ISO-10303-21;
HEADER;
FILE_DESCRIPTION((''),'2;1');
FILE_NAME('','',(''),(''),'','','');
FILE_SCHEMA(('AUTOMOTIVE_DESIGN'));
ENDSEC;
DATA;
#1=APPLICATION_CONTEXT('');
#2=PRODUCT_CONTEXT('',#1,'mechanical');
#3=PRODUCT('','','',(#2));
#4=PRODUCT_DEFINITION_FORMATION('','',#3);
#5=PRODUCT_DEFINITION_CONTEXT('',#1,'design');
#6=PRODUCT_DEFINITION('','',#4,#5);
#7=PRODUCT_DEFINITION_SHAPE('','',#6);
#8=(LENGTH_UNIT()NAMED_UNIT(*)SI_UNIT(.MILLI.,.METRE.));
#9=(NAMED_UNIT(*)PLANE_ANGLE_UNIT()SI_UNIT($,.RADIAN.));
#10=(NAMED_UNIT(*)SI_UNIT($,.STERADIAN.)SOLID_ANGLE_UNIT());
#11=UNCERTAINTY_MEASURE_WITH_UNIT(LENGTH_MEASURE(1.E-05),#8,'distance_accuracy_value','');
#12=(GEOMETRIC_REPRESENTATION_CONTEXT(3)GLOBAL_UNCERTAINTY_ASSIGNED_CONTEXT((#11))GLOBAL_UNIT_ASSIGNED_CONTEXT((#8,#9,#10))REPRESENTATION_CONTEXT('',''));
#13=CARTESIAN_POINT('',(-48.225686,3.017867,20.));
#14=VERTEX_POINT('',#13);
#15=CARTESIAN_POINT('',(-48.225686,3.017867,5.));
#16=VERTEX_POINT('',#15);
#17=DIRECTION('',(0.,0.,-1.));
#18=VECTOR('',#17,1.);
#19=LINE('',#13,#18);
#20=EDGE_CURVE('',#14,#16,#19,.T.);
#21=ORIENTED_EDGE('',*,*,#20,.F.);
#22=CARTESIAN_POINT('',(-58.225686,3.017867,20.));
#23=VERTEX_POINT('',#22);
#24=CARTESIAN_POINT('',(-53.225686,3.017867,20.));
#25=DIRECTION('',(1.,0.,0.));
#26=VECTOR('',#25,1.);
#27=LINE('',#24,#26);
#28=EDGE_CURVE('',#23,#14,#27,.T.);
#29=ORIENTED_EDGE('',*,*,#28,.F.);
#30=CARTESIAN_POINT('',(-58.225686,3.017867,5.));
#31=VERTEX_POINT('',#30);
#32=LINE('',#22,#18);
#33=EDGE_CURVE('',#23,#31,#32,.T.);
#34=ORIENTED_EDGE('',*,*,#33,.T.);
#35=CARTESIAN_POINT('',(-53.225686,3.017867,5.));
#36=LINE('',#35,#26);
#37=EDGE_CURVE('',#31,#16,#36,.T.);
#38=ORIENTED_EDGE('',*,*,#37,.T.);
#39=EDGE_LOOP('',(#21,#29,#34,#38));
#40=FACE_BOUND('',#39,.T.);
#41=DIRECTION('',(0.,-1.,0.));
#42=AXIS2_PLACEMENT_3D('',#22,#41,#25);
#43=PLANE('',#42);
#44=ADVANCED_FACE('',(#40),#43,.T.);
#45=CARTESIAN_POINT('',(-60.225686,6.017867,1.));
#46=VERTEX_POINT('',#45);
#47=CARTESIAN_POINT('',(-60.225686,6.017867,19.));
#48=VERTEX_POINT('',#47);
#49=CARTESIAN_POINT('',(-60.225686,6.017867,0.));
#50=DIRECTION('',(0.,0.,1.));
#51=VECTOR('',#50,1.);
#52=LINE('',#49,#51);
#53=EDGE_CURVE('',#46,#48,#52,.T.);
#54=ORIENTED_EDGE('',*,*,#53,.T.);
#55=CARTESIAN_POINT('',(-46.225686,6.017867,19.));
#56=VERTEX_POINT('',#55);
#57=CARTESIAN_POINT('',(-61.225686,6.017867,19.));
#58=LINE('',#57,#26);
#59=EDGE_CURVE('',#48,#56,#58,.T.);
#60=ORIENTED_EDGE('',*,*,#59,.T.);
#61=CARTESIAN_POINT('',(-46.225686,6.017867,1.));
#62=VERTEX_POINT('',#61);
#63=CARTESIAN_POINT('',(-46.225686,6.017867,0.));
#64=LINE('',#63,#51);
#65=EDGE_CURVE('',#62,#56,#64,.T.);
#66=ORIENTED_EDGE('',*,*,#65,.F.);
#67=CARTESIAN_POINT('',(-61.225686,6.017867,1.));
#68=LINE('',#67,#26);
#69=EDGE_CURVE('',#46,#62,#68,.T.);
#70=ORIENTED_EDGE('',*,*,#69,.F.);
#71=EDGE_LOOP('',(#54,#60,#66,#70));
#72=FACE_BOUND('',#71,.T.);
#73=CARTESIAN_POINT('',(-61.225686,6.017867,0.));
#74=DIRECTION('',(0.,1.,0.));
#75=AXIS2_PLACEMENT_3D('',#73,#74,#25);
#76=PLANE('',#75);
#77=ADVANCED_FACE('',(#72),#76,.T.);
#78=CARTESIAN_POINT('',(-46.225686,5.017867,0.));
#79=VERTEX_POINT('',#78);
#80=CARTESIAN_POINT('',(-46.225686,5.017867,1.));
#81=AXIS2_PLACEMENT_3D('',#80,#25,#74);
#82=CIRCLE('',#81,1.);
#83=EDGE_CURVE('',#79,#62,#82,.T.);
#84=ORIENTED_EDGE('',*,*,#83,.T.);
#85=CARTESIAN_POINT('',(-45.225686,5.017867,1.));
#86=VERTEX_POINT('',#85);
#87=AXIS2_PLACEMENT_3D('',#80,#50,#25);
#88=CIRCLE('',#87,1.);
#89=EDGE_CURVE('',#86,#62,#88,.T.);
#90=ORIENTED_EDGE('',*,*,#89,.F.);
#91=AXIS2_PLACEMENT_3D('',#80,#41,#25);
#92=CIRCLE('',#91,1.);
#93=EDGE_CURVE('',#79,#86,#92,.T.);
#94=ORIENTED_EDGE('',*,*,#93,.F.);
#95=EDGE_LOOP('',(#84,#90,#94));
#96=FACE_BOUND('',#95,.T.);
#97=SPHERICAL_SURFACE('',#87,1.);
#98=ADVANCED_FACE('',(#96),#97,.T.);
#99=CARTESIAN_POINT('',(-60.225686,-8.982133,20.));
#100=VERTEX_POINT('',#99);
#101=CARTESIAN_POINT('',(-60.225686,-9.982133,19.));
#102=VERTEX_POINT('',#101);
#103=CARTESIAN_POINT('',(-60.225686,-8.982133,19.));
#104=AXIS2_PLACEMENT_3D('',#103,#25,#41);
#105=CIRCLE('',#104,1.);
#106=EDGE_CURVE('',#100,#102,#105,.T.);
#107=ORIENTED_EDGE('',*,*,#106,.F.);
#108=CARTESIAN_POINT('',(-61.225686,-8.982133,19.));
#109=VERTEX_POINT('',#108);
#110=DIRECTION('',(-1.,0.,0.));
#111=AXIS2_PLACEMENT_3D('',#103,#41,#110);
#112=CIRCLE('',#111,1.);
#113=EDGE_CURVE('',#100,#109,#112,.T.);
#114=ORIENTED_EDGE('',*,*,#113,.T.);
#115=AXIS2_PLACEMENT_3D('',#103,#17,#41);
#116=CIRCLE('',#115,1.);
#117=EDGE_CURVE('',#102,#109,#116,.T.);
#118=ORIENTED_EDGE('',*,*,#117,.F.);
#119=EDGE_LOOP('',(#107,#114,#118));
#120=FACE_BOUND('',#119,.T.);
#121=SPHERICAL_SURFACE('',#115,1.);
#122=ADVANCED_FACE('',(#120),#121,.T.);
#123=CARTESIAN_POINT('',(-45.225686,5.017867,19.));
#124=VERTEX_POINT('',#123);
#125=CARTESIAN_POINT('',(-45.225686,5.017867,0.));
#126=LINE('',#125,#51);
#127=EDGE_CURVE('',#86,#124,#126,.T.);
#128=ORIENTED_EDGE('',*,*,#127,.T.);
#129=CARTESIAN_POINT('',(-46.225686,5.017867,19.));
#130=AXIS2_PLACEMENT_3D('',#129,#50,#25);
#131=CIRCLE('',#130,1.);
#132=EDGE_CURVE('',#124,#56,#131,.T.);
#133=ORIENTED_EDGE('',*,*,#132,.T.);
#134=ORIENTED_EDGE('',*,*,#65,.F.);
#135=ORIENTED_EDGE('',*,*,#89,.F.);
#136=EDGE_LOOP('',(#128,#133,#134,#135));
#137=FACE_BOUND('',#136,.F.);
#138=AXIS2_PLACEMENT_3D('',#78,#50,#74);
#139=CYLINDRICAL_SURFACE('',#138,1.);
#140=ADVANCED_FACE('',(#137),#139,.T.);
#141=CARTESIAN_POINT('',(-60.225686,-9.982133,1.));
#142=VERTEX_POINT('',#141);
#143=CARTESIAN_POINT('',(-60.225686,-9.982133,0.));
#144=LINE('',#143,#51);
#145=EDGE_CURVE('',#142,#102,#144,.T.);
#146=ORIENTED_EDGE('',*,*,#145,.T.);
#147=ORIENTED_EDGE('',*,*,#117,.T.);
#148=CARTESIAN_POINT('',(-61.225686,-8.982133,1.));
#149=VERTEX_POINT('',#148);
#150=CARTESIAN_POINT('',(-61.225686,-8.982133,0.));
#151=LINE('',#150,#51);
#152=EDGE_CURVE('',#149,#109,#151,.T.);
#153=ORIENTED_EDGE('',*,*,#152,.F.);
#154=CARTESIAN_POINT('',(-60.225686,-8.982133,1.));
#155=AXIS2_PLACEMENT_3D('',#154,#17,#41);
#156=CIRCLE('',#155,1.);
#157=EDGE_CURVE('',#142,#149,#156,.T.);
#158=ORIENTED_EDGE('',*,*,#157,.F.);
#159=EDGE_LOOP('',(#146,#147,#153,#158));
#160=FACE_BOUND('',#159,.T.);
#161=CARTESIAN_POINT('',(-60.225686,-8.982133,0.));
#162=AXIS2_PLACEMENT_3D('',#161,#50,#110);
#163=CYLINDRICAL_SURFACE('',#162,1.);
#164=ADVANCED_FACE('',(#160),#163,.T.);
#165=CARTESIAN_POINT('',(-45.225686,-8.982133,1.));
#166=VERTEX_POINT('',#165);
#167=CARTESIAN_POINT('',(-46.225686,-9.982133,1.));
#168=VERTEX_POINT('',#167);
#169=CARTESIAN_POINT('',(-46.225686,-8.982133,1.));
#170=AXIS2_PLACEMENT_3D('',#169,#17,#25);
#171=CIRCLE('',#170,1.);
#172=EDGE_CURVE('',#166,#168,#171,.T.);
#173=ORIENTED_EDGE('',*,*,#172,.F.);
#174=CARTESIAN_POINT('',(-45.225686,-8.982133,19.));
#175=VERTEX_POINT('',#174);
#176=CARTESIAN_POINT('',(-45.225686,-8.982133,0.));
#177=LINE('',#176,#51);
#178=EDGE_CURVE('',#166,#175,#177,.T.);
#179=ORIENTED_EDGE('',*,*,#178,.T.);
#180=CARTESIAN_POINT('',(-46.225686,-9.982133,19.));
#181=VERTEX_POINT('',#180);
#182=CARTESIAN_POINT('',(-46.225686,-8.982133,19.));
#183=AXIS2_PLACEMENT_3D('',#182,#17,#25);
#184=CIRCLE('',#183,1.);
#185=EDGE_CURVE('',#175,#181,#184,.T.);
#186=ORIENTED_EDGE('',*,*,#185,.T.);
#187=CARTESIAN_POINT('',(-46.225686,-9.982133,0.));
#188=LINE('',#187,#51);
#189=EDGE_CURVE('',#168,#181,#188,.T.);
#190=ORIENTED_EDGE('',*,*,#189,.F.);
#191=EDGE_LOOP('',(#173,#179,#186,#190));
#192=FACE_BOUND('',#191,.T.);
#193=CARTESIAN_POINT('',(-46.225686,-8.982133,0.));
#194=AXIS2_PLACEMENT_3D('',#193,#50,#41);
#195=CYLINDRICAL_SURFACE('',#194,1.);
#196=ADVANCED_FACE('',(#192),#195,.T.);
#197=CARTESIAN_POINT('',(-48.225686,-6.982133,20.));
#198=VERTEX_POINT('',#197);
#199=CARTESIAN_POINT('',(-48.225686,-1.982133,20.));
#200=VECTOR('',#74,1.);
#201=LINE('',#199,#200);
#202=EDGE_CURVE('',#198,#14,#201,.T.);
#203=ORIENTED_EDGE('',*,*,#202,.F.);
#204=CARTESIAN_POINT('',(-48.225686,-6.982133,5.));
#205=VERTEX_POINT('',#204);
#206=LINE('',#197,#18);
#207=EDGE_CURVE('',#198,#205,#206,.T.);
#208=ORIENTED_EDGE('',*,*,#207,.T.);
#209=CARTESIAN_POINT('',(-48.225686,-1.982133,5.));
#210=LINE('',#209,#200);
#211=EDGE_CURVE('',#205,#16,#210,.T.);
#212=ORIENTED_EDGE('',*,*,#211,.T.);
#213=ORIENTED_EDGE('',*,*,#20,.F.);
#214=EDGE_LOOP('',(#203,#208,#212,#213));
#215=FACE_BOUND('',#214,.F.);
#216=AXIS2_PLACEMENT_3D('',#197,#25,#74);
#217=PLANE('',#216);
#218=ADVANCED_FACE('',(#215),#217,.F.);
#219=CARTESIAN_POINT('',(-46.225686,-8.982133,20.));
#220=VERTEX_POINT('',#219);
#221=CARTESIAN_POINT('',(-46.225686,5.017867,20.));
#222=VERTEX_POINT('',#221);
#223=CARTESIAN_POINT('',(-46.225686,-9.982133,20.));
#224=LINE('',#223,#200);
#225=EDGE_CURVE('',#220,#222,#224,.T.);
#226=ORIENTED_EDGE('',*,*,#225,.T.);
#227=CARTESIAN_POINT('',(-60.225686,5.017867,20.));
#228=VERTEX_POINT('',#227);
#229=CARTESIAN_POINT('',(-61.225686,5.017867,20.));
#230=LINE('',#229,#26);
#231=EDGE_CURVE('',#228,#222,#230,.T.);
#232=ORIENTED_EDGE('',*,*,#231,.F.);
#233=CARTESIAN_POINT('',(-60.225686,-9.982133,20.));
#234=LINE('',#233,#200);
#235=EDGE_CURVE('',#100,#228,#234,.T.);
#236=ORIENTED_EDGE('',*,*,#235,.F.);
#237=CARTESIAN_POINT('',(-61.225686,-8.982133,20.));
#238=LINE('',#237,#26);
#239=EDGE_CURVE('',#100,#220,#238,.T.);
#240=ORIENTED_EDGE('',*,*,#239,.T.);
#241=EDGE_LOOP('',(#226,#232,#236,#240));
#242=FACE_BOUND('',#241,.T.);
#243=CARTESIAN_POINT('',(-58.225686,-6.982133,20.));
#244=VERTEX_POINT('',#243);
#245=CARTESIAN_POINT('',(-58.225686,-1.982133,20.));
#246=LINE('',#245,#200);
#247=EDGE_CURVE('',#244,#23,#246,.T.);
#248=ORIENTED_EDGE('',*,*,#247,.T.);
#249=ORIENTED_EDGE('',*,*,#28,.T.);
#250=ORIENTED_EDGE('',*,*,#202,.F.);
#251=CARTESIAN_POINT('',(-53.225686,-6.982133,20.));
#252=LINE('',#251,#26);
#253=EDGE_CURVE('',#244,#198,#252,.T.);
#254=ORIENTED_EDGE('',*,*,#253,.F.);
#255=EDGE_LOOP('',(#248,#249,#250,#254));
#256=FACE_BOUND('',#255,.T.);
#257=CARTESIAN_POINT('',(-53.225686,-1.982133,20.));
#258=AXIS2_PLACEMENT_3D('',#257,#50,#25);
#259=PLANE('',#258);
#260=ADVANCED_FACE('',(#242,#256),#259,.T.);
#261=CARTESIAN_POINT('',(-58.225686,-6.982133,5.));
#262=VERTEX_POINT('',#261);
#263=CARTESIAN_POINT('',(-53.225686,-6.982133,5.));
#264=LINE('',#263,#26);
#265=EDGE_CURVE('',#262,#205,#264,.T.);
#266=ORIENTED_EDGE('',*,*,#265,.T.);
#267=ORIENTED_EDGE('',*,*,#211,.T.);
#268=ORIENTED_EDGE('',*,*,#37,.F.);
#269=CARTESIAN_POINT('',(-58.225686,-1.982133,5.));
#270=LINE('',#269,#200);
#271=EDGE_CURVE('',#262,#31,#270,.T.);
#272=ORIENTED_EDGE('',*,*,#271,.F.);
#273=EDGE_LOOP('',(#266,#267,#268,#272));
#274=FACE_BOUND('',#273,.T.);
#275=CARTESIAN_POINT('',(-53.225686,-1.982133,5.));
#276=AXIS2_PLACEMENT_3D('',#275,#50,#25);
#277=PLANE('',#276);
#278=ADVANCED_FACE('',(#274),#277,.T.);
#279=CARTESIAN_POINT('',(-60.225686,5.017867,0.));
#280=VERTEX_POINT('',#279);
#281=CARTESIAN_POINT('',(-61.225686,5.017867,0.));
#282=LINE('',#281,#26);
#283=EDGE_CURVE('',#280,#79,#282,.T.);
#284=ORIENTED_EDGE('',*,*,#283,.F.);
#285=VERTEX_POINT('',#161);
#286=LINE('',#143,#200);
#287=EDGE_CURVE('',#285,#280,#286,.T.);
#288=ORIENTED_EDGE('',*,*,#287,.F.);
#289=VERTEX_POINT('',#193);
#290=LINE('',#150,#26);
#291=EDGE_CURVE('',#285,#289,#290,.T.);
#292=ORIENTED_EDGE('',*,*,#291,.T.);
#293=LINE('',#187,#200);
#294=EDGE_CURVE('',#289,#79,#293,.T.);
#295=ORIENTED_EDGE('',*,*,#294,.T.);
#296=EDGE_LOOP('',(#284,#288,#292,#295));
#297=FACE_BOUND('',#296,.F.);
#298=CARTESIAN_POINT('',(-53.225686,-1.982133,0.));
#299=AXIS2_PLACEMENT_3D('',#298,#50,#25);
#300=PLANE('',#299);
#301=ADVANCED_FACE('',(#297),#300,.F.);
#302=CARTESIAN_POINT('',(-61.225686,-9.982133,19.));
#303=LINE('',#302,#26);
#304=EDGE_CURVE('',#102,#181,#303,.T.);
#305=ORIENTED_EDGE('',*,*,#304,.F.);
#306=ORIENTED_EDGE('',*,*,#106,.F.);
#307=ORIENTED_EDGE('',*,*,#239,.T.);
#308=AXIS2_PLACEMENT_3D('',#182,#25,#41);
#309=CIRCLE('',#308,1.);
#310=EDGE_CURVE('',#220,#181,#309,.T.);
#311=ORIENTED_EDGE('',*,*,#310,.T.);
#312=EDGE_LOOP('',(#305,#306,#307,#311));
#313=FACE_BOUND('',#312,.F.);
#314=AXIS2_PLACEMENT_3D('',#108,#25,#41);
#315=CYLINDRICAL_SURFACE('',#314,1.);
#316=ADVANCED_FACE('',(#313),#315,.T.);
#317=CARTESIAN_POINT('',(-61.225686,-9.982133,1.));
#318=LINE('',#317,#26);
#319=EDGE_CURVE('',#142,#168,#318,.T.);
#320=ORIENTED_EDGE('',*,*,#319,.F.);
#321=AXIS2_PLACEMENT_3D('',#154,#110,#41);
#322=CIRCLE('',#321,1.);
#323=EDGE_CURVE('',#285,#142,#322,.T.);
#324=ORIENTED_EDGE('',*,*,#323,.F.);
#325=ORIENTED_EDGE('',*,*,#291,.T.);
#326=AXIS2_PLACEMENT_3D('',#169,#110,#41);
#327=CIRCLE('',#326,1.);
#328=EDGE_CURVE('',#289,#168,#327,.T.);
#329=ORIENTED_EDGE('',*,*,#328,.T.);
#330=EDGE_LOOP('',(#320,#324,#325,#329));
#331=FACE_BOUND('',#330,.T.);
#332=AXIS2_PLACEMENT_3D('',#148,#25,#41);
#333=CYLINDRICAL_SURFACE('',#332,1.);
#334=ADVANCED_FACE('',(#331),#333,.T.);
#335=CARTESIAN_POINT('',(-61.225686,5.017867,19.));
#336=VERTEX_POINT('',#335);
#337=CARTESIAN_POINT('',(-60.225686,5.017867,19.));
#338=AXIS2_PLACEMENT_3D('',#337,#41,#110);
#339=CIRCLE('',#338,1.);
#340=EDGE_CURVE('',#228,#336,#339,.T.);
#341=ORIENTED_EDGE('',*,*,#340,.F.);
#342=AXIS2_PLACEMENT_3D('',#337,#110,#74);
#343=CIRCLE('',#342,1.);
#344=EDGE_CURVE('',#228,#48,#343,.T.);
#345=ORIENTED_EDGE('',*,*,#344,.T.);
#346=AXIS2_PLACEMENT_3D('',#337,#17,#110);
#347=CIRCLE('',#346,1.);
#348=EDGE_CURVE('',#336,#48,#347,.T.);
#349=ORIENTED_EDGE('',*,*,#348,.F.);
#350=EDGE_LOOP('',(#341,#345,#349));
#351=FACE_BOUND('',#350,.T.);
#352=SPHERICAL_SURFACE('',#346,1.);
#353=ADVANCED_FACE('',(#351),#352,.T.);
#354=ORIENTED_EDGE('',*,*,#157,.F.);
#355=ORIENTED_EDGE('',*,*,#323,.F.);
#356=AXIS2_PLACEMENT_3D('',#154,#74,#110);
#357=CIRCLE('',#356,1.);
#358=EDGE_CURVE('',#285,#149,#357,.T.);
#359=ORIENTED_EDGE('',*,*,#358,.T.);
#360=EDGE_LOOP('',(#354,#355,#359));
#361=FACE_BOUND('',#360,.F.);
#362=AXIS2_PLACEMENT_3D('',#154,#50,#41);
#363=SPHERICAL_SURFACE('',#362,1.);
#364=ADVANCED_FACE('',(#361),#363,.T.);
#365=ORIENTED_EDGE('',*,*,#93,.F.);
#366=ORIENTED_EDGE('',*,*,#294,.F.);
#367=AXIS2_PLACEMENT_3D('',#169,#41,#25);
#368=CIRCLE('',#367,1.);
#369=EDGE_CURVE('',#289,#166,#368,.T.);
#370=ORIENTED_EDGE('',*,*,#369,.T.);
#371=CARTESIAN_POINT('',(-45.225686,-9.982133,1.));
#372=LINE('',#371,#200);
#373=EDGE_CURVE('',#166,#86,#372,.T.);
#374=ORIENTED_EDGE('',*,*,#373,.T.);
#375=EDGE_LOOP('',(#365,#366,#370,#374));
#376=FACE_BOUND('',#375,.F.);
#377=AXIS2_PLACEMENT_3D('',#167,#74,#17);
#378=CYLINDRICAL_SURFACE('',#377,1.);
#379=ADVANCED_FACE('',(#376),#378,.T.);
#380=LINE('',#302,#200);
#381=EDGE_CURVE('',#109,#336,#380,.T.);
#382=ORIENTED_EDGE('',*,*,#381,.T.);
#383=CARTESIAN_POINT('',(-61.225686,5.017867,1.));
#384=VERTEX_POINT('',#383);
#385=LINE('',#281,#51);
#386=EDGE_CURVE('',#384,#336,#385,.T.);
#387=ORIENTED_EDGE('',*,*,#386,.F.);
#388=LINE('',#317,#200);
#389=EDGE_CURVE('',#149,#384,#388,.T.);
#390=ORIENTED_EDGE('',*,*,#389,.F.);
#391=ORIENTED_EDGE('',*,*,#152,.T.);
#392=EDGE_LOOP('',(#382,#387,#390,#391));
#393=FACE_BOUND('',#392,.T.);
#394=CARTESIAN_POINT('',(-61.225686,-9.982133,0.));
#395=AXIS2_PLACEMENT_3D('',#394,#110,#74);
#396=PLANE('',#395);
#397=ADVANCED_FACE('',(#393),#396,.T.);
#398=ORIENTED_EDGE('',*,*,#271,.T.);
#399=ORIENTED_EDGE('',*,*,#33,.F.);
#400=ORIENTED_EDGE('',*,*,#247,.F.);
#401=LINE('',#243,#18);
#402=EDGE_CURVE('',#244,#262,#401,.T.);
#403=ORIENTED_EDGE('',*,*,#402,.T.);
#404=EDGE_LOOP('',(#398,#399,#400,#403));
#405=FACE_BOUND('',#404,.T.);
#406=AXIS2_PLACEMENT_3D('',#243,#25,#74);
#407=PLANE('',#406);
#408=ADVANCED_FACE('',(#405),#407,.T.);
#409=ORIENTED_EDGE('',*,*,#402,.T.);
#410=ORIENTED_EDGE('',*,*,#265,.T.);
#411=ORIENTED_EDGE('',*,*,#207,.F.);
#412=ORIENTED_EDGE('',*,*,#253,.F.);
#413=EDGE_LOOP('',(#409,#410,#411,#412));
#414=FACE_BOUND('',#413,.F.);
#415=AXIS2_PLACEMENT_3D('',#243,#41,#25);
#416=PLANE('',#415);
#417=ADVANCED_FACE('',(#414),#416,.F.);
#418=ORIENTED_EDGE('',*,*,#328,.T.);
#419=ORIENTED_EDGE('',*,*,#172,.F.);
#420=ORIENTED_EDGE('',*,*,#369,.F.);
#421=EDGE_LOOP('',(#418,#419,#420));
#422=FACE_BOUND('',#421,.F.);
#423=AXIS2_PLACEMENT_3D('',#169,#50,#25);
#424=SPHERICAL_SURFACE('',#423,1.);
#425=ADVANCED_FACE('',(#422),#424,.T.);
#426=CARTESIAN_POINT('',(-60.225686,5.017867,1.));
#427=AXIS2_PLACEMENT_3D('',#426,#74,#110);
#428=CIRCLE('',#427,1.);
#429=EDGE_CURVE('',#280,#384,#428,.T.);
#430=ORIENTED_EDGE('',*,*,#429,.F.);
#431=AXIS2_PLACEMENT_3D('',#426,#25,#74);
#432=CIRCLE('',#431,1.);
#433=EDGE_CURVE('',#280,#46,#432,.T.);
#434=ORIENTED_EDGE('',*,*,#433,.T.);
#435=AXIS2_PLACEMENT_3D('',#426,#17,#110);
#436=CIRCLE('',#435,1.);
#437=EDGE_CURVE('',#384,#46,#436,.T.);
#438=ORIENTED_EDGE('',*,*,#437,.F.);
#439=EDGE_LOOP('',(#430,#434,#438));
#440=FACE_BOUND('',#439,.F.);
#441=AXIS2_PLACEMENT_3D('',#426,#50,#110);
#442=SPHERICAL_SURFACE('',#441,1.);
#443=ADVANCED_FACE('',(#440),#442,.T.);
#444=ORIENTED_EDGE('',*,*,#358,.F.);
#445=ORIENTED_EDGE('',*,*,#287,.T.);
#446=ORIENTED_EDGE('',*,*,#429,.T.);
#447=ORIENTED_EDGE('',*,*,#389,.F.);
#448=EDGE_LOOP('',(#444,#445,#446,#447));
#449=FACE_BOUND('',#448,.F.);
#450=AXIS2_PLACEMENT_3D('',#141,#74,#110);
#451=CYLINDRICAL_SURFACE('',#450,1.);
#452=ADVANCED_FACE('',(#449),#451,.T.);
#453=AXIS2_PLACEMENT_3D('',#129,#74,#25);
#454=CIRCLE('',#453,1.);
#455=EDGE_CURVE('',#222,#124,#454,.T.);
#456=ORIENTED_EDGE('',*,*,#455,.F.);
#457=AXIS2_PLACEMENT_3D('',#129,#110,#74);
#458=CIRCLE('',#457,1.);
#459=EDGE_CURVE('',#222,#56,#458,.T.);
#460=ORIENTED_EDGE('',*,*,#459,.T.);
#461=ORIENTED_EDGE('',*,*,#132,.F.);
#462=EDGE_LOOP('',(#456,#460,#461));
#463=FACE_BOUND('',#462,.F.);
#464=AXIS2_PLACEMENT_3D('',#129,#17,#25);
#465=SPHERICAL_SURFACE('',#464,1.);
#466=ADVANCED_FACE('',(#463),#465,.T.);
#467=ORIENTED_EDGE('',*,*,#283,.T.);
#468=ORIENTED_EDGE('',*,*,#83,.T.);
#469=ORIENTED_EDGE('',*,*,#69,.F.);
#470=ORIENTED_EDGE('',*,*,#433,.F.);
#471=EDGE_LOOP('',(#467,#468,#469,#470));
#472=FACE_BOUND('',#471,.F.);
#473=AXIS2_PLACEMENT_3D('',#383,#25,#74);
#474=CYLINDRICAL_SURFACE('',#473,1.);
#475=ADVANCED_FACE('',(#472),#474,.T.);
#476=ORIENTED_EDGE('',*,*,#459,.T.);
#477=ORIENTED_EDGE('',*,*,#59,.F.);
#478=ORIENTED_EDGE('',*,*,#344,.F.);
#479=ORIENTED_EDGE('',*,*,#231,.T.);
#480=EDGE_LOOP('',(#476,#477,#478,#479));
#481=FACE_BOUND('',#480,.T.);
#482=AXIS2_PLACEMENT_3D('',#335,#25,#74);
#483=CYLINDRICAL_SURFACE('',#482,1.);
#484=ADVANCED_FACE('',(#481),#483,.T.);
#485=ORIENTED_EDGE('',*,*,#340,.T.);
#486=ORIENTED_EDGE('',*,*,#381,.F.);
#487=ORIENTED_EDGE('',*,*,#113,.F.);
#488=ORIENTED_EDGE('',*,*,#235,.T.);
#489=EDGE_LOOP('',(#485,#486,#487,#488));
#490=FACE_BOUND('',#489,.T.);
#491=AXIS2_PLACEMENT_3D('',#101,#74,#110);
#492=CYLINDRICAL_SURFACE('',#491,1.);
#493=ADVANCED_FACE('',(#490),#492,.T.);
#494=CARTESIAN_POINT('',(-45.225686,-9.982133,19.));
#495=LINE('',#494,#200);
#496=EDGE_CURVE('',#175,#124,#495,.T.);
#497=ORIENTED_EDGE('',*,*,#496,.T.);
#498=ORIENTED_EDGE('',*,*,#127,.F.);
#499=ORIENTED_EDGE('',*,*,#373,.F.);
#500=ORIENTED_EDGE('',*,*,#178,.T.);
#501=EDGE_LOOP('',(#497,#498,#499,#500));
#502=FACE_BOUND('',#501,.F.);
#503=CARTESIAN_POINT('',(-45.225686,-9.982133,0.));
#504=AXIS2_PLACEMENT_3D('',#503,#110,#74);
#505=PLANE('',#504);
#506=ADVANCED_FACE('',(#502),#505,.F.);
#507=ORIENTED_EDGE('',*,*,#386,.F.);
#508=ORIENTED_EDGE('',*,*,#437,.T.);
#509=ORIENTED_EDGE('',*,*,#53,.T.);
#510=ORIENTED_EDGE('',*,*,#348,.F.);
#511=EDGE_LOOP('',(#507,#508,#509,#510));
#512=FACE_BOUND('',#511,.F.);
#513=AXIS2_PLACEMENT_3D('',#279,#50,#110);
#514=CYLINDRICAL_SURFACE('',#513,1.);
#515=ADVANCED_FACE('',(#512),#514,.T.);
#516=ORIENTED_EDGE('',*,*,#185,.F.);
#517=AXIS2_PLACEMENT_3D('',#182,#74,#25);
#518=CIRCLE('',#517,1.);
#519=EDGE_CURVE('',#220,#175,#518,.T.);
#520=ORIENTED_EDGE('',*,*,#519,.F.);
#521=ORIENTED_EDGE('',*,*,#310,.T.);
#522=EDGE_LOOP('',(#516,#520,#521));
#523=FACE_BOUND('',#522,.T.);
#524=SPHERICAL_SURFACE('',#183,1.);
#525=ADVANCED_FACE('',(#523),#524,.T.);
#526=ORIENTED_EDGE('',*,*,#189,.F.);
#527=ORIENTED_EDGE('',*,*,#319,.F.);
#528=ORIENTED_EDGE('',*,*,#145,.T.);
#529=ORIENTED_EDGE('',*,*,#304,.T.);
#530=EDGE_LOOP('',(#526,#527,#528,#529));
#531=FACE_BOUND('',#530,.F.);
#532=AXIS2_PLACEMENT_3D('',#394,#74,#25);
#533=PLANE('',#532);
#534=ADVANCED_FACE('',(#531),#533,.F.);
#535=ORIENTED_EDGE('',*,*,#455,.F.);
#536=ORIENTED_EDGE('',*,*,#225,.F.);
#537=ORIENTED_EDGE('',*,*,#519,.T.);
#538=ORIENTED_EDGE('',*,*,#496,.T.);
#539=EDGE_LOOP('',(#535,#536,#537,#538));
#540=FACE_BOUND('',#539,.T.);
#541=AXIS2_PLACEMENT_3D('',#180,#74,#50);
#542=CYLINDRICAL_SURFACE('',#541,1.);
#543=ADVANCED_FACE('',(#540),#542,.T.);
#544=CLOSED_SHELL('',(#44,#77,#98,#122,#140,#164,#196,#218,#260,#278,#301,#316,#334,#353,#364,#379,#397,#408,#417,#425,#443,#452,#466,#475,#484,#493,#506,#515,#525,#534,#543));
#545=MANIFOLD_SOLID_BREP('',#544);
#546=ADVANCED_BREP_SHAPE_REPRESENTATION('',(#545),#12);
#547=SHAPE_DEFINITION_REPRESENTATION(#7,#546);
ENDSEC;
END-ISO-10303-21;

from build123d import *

# Parameters (mm, degrees)
F0_W     = 16
F0_H     = 16
F1_DEPTH = 20
F2_W     = 10
F2_H     = 10
F3_DEPTH = 15
F4_R     = 1


with BuildPart() as f1:
    # F0 (on Top) → F1 (new body)
    with BuildSketch(Plane.XY):
        with Locations((-53.225686, -1.982133)):
            Rectangle(F0_W, F0_H)
    extrude(amount=F1_DEPTH)

    # F2 (on face) → F3 (cut)
    with BuildSketch(Plane.XY.offset(20)):
        with Locations((-53.225686, -1.982133)):
            Rectangle(F2_W, F2_H)
    extrude(amount=-F3_DEPTH, mode=Mode.SUBTRACT)

    # F4
    f4_edges = [f1.edges().sort_by_distance(p)[0] for p in [
        (-45.225686, -9.982133, 10),
        (-45.225686, 6.017867, 10),
        (-45.225686, -1.982133, 0),
        (-45.225686, -1.982133, 20),
        (-61.225686, -9.982133, 10),
        (-53.225686, -9.982133, 0),
        (-53.225686, -9.982133, 20),
        (-61.225686, 6.017867, 10),
        (-61.225686, -1.982133, 0),
        (-61.225686, -1.982133, 20),
        (-53.225686, 6.017867, 0),
        (-53.225686, 6.017867, 20),
    ]]
    fillet(f4_edges, radius=F4_R)


solid = f1.part
